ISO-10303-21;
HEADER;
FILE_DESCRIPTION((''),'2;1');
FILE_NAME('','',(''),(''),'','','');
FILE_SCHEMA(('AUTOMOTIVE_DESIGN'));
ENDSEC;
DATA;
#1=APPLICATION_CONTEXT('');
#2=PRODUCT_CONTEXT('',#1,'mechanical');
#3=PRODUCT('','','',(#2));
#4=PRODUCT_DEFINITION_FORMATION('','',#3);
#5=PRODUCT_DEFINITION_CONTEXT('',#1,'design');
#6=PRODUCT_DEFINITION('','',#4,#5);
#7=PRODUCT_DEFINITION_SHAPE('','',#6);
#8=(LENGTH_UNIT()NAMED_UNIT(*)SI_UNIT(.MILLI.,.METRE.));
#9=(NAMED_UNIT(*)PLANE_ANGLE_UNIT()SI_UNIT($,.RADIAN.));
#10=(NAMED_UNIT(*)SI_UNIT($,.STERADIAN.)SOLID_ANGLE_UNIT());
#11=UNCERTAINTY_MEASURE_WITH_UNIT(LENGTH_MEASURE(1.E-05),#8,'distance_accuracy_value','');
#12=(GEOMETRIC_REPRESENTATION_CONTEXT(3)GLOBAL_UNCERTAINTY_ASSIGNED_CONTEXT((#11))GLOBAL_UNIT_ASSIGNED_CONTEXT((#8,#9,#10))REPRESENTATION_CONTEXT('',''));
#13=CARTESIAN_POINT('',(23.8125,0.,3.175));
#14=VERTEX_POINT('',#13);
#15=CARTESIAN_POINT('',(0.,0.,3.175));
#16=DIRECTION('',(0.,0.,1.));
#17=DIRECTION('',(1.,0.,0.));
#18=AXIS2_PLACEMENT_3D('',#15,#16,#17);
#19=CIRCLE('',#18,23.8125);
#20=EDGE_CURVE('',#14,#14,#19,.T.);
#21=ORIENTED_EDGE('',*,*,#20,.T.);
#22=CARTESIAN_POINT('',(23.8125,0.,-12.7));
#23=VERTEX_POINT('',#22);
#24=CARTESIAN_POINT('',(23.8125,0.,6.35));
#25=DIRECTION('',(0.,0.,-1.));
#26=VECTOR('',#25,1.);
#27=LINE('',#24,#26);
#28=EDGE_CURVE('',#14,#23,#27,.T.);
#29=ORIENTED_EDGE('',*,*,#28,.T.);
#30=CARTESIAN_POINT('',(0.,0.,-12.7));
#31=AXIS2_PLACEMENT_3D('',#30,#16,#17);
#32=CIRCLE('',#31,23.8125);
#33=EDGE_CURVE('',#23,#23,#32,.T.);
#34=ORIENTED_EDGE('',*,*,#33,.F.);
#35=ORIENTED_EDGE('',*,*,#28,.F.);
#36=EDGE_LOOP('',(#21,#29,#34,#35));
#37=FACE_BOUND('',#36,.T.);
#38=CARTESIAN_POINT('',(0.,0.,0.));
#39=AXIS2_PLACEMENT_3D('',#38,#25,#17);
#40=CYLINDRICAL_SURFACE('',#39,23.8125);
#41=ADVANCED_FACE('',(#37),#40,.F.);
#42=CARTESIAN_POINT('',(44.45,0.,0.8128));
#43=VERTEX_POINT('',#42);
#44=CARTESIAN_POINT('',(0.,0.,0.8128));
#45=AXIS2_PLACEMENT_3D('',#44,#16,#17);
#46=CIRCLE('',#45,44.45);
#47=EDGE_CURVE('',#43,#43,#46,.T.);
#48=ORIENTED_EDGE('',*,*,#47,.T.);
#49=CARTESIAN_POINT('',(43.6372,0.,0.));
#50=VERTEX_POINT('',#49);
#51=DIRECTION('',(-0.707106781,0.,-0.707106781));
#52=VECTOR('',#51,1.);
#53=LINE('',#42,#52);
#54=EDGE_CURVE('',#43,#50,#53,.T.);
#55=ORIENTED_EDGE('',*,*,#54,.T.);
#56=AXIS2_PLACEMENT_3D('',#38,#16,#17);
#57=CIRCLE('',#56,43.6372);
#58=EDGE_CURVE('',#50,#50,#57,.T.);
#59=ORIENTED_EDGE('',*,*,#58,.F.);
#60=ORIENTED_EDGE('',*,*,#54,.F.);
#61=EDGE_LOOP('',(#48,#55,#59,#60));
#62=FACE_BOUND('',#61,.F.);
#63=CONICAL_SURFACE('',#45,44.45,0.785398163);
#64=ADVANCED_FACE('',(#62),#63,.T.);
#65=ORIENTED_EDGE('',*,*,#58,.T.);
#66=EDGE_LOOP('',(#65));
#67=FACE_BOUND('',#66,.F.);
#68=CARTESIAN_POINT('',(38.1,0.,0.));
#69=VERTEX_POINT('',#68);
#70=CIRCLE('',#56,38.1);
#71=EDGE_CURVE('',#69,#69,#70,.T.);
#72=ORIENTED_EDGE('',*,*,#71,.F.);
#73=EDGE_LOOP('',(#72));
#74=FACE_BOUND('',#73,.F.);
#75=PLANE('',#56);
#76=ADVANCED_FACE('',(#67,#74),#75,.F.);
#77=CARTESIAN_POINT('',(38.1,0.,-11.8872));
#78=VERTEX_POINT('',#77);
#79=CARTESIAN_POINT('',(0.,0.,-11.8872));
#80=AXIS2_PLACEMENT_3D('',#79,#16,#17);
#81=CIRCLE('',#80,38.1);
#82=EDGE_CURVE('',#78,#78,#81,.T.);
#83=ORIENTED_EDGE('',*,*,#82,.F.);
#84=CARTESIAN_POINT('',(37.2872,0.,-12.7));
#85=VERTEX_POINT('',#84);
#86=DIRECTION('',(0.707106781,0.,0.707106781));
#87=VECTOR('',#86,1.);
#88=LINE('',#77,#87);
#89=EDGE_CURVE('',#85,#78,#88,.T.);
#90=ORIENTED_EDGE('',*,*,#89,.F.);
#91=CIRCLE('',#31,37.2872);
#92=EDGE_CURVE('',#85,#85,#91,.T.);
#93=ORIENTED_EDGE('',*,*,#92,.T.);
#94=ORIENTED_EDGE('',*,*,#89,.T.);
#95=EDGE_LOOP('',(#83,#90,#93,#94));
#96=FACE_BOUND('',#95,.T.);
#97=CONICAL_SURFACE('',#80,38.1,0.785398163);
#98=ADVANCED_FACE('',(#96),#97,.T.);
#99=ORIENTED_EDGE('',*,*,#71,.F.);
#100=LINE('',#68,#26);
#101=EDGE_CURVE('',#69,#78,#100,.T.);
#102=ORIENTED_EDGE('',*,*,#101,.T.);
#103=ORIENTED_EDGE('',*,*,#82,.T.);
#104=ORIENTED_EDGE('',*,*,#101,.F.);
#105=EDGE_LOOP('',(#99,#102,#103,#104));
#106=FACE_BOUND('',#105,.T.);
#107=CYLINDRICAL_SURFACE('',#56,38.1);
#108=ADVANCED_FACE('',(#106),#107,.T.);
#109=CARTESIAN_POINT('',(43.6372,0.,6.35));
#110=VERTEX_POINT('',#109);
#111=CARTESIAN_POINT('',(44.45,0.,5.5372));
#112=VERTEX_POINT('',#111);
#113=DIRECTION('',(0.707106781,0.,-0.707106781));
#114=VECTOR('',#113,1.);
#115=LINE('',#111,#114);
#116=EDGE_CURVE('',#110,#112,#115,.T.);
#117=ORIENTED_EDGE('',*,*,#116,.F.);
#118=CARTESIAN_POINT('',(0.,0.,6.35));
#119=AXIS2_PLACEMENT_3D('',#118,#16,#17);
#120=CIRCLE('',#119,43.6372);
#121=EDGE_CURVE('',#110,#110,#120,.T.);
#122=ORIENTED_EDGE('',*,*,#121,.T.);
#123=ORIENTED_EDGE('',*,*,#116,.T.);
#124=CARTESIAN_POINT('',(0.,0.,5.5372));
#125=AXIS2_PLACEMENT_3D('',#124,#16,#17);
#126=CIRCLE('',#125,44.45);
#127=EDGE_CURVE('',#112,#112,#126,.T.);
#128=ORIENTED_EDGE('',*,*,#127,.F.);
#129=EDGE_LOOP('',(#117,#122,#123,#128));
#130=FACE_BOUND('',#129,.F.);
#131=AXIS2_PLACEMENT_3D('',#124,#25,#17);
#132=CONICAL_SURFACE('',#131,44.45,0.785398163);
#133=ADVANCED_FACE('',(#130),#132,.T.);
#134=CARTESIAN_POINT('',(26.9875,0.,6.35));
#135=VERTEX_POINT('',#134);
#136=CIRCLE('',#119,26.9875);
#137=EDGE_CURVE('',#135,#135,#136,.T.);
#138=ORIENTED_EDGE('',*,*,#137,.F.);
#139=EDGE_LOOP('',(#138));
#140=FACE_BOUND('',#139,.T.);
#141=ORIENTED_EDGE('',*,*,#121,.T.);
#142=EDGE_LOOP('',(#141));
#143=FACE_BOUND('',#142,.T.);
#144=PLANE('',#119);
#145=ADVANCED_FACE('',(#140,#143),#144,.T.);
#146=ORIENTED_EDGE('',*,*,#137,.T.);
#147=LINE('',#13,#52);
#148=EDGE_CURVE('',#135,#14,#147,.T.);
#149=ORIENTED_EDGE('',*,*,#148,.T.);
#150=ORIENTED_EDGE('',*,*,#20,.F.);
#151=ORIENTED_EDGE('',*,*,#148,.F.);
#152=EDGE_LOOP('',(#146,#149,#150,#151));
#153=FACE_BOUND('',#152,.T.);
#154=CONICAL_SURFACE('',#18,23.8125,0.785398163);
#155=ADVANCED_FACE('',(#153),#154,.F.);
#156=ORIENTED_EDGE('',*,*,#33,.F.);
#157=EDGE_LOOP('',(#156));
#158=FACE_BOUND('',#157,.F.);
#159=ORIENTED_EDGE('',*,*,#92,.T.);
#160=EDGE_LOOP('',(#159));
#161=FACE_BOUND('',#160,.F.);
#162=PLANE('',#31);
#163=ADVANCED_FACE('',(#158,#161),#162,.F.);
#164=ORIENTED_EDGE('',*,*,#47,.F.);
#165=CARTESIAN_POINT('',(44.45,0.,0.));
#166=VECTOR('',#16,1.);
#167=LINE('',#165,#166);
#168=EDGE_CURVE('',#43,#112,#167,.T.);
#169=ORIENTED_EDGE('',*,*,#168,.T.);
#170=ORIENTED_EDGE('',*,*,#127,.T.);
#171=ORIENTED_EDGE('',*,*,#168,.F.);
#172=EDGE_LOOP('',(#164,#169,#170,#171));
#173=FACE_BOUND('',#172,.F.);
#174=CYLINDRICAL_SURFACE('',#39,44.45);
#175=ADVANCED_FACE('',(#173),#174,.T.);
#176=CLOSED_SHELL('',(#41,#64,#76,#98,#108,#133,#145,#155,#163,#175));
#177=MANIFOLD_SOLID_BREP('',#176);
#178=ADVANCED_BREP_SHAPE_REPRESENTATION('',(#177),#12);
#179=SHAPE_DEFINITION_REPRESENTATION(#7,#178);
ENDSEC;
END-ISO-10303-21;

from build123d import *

# Parameters (mm, degrees)
F0_R        = 38.1
F0_R_2      = 23.8125
F1_DEPTH    = 12.7
F0_R_3      = 44.45
F1_FACE_R   = 38.1
F1_FACE_R_2 = 23.8125
F2_DEPTH    = 6.35
F3_SIZE     = 3.175
F4_SIZE     = 0.8128


with BuildPart() as f1:
    # F0 (on Top) → F1 (new body)
    with BuildSketch(Plane.XY):
        Circle(F0_R)
        Circle(F0_R_2, mode=Mode.SUBTRACT)
    extrude(amount=-F1_DEPTH)

    # F0 (on Top) + F1_face (on face) → F2 (join)
    with BuildSketch(Plane.XY):
        Circle(F0_R_3)
        Circle(F0_R, mode=Mode.SUBTRACT)
    with BuildSketch(Plane.XY):
        Circle(F1_FACE_R)
        Circle(F1_FACE_R_2, mode=Mode.SUBTRACT)
    extrude(amount=F2_DEPTH)

    # F3
    f3_edges = [f1.edges().sort_by_distance(p)[0] for p in [
        (-23.8125, 0, 6.35),
    ]]
    chamfer(f3_edges, length=F3_SIZE)

    # F4
    f4_edges = [f1.edges().sort_by_distance(p)[0] for p in [
        (-44.45, 0, 6.35),
        (-44.45, 0, 0),
        (-38.1, 0, -12.7),
    ]]
    chamfer(f4_edges, length=F4_SIZE)


solid = f1.part
